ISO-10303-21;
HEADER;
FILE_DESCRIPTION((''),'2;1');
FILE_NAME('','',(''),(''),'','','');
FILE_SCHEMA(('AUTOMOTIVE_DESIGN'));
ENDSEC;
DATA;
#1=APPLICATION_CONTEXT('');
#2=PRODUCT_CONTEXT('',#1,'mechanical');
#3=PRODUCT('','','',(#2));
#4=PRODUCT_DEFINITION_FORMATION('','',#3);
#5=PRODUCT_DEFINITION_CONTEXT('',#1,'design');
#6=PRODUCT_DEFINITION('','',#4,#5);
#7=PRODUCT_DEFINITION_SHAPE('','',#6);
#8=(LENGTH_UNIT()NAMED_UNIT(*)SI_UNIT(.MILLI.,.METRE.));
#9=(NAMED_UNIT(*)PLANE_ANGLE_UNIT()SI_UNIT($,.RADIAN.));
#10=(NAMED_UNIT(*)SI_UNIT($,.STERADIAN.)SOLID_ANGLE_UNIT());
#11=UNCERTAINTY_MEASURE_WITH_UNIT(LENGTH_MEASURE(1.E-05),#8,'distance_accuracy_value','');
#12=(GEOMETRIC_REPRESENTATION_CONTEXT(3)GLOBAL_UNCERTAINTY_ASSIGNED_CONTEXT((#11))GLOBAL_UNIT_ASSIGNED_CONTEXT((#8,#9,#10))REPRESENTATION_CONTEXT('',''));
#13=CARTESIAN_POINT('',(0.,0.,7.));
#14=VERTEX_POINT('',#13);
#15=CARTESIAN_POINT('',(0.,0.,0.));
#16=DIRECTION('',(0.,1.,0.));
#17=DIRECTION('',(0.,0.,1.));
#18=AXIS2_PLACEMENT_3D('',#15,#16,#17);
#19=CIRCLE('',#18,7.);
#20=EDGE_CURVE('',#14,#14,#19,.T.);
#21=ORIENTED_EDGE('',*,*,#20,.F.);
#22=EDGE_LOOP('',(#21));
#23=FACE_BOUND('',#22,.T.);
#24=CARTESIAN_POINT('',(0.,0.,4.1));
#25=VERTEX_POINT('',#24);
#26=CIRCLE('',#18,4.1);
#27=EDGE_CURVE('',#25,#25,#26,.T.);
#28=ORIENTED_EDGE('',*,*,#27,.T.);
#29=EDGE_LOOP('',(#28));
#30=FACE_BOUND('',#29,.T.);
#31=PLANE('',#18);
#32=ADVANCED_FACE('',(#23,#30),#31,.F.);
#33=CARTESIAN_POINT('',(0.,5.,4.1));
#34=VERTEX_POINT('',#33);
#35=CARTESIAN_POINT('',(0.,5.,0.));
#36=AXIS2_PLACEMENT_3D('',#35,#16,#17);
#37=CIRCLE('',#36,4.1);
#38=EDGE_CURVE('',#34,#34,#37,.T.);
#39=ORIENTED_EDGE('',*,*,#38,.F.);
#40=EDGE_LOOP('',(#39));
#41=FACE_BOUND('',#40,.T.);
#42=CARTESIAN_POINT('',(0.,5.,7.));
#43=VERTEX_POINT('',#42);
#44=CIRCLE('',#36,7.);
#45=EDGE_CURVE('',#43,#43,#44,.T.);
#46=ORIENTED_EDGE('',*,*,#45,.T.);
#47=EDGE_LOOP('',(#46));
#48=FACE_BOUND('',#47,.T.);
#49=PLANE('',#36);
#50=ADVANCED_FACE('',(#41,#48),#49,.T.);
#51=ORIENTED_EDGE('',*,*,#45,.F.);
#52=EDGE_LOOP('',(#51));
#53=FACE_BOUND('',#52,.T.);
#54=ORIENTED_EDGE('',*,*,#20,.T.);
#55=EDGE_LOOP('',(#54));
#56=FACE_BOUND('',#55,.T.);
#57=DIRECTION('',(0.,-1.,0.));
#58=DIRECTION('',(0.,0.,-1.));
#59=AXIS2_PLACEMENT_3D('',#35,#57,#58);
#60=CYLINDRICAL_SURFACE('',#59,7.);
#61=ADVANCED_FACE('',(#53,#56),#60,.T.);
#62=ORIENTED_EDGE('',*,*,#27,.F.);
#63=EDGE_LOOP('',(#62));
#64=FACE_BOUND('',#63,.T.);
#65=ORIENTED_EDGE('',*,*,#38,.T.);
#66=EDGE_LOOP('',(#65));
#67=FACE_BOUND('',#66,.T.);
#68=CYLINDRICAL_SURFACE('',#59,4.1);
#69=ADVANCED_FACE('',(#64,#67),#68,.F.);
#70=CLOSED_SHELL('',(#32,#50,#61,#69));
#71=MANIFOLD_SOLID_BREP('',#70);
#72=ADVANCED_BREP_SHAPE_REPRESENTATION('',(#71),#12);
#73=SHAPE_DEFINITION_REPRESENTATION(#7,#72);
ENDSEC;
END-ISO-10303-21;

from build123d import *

# Parameters (mm, degrees)
SKETCH_1_R      = 7
SKETCH_1_R_2    = 4.1
EXTRUDE_1_DEPTH = 5


with BuildPart() as part:
    # 草图1 → 凸台-拉伸1 (new body)
    with BuildSketch(Plane(origin=(0, 0, 0), x_dir=(1, 0, 0), z_dir=(0, 1, 0))):
        with Locations(Location((0, 0, 0), (0, 0, 270))):
            Circle(SKETCH_1_R)
        with Locations(Location((0, 0, 0), (0, 0, 270))):
            Circle(SKETCH_1_R_2, mode=Mode.SUBTRACT)
    extrude(amount=EXTRUDE_1_DEPTH)


solid = part.part
